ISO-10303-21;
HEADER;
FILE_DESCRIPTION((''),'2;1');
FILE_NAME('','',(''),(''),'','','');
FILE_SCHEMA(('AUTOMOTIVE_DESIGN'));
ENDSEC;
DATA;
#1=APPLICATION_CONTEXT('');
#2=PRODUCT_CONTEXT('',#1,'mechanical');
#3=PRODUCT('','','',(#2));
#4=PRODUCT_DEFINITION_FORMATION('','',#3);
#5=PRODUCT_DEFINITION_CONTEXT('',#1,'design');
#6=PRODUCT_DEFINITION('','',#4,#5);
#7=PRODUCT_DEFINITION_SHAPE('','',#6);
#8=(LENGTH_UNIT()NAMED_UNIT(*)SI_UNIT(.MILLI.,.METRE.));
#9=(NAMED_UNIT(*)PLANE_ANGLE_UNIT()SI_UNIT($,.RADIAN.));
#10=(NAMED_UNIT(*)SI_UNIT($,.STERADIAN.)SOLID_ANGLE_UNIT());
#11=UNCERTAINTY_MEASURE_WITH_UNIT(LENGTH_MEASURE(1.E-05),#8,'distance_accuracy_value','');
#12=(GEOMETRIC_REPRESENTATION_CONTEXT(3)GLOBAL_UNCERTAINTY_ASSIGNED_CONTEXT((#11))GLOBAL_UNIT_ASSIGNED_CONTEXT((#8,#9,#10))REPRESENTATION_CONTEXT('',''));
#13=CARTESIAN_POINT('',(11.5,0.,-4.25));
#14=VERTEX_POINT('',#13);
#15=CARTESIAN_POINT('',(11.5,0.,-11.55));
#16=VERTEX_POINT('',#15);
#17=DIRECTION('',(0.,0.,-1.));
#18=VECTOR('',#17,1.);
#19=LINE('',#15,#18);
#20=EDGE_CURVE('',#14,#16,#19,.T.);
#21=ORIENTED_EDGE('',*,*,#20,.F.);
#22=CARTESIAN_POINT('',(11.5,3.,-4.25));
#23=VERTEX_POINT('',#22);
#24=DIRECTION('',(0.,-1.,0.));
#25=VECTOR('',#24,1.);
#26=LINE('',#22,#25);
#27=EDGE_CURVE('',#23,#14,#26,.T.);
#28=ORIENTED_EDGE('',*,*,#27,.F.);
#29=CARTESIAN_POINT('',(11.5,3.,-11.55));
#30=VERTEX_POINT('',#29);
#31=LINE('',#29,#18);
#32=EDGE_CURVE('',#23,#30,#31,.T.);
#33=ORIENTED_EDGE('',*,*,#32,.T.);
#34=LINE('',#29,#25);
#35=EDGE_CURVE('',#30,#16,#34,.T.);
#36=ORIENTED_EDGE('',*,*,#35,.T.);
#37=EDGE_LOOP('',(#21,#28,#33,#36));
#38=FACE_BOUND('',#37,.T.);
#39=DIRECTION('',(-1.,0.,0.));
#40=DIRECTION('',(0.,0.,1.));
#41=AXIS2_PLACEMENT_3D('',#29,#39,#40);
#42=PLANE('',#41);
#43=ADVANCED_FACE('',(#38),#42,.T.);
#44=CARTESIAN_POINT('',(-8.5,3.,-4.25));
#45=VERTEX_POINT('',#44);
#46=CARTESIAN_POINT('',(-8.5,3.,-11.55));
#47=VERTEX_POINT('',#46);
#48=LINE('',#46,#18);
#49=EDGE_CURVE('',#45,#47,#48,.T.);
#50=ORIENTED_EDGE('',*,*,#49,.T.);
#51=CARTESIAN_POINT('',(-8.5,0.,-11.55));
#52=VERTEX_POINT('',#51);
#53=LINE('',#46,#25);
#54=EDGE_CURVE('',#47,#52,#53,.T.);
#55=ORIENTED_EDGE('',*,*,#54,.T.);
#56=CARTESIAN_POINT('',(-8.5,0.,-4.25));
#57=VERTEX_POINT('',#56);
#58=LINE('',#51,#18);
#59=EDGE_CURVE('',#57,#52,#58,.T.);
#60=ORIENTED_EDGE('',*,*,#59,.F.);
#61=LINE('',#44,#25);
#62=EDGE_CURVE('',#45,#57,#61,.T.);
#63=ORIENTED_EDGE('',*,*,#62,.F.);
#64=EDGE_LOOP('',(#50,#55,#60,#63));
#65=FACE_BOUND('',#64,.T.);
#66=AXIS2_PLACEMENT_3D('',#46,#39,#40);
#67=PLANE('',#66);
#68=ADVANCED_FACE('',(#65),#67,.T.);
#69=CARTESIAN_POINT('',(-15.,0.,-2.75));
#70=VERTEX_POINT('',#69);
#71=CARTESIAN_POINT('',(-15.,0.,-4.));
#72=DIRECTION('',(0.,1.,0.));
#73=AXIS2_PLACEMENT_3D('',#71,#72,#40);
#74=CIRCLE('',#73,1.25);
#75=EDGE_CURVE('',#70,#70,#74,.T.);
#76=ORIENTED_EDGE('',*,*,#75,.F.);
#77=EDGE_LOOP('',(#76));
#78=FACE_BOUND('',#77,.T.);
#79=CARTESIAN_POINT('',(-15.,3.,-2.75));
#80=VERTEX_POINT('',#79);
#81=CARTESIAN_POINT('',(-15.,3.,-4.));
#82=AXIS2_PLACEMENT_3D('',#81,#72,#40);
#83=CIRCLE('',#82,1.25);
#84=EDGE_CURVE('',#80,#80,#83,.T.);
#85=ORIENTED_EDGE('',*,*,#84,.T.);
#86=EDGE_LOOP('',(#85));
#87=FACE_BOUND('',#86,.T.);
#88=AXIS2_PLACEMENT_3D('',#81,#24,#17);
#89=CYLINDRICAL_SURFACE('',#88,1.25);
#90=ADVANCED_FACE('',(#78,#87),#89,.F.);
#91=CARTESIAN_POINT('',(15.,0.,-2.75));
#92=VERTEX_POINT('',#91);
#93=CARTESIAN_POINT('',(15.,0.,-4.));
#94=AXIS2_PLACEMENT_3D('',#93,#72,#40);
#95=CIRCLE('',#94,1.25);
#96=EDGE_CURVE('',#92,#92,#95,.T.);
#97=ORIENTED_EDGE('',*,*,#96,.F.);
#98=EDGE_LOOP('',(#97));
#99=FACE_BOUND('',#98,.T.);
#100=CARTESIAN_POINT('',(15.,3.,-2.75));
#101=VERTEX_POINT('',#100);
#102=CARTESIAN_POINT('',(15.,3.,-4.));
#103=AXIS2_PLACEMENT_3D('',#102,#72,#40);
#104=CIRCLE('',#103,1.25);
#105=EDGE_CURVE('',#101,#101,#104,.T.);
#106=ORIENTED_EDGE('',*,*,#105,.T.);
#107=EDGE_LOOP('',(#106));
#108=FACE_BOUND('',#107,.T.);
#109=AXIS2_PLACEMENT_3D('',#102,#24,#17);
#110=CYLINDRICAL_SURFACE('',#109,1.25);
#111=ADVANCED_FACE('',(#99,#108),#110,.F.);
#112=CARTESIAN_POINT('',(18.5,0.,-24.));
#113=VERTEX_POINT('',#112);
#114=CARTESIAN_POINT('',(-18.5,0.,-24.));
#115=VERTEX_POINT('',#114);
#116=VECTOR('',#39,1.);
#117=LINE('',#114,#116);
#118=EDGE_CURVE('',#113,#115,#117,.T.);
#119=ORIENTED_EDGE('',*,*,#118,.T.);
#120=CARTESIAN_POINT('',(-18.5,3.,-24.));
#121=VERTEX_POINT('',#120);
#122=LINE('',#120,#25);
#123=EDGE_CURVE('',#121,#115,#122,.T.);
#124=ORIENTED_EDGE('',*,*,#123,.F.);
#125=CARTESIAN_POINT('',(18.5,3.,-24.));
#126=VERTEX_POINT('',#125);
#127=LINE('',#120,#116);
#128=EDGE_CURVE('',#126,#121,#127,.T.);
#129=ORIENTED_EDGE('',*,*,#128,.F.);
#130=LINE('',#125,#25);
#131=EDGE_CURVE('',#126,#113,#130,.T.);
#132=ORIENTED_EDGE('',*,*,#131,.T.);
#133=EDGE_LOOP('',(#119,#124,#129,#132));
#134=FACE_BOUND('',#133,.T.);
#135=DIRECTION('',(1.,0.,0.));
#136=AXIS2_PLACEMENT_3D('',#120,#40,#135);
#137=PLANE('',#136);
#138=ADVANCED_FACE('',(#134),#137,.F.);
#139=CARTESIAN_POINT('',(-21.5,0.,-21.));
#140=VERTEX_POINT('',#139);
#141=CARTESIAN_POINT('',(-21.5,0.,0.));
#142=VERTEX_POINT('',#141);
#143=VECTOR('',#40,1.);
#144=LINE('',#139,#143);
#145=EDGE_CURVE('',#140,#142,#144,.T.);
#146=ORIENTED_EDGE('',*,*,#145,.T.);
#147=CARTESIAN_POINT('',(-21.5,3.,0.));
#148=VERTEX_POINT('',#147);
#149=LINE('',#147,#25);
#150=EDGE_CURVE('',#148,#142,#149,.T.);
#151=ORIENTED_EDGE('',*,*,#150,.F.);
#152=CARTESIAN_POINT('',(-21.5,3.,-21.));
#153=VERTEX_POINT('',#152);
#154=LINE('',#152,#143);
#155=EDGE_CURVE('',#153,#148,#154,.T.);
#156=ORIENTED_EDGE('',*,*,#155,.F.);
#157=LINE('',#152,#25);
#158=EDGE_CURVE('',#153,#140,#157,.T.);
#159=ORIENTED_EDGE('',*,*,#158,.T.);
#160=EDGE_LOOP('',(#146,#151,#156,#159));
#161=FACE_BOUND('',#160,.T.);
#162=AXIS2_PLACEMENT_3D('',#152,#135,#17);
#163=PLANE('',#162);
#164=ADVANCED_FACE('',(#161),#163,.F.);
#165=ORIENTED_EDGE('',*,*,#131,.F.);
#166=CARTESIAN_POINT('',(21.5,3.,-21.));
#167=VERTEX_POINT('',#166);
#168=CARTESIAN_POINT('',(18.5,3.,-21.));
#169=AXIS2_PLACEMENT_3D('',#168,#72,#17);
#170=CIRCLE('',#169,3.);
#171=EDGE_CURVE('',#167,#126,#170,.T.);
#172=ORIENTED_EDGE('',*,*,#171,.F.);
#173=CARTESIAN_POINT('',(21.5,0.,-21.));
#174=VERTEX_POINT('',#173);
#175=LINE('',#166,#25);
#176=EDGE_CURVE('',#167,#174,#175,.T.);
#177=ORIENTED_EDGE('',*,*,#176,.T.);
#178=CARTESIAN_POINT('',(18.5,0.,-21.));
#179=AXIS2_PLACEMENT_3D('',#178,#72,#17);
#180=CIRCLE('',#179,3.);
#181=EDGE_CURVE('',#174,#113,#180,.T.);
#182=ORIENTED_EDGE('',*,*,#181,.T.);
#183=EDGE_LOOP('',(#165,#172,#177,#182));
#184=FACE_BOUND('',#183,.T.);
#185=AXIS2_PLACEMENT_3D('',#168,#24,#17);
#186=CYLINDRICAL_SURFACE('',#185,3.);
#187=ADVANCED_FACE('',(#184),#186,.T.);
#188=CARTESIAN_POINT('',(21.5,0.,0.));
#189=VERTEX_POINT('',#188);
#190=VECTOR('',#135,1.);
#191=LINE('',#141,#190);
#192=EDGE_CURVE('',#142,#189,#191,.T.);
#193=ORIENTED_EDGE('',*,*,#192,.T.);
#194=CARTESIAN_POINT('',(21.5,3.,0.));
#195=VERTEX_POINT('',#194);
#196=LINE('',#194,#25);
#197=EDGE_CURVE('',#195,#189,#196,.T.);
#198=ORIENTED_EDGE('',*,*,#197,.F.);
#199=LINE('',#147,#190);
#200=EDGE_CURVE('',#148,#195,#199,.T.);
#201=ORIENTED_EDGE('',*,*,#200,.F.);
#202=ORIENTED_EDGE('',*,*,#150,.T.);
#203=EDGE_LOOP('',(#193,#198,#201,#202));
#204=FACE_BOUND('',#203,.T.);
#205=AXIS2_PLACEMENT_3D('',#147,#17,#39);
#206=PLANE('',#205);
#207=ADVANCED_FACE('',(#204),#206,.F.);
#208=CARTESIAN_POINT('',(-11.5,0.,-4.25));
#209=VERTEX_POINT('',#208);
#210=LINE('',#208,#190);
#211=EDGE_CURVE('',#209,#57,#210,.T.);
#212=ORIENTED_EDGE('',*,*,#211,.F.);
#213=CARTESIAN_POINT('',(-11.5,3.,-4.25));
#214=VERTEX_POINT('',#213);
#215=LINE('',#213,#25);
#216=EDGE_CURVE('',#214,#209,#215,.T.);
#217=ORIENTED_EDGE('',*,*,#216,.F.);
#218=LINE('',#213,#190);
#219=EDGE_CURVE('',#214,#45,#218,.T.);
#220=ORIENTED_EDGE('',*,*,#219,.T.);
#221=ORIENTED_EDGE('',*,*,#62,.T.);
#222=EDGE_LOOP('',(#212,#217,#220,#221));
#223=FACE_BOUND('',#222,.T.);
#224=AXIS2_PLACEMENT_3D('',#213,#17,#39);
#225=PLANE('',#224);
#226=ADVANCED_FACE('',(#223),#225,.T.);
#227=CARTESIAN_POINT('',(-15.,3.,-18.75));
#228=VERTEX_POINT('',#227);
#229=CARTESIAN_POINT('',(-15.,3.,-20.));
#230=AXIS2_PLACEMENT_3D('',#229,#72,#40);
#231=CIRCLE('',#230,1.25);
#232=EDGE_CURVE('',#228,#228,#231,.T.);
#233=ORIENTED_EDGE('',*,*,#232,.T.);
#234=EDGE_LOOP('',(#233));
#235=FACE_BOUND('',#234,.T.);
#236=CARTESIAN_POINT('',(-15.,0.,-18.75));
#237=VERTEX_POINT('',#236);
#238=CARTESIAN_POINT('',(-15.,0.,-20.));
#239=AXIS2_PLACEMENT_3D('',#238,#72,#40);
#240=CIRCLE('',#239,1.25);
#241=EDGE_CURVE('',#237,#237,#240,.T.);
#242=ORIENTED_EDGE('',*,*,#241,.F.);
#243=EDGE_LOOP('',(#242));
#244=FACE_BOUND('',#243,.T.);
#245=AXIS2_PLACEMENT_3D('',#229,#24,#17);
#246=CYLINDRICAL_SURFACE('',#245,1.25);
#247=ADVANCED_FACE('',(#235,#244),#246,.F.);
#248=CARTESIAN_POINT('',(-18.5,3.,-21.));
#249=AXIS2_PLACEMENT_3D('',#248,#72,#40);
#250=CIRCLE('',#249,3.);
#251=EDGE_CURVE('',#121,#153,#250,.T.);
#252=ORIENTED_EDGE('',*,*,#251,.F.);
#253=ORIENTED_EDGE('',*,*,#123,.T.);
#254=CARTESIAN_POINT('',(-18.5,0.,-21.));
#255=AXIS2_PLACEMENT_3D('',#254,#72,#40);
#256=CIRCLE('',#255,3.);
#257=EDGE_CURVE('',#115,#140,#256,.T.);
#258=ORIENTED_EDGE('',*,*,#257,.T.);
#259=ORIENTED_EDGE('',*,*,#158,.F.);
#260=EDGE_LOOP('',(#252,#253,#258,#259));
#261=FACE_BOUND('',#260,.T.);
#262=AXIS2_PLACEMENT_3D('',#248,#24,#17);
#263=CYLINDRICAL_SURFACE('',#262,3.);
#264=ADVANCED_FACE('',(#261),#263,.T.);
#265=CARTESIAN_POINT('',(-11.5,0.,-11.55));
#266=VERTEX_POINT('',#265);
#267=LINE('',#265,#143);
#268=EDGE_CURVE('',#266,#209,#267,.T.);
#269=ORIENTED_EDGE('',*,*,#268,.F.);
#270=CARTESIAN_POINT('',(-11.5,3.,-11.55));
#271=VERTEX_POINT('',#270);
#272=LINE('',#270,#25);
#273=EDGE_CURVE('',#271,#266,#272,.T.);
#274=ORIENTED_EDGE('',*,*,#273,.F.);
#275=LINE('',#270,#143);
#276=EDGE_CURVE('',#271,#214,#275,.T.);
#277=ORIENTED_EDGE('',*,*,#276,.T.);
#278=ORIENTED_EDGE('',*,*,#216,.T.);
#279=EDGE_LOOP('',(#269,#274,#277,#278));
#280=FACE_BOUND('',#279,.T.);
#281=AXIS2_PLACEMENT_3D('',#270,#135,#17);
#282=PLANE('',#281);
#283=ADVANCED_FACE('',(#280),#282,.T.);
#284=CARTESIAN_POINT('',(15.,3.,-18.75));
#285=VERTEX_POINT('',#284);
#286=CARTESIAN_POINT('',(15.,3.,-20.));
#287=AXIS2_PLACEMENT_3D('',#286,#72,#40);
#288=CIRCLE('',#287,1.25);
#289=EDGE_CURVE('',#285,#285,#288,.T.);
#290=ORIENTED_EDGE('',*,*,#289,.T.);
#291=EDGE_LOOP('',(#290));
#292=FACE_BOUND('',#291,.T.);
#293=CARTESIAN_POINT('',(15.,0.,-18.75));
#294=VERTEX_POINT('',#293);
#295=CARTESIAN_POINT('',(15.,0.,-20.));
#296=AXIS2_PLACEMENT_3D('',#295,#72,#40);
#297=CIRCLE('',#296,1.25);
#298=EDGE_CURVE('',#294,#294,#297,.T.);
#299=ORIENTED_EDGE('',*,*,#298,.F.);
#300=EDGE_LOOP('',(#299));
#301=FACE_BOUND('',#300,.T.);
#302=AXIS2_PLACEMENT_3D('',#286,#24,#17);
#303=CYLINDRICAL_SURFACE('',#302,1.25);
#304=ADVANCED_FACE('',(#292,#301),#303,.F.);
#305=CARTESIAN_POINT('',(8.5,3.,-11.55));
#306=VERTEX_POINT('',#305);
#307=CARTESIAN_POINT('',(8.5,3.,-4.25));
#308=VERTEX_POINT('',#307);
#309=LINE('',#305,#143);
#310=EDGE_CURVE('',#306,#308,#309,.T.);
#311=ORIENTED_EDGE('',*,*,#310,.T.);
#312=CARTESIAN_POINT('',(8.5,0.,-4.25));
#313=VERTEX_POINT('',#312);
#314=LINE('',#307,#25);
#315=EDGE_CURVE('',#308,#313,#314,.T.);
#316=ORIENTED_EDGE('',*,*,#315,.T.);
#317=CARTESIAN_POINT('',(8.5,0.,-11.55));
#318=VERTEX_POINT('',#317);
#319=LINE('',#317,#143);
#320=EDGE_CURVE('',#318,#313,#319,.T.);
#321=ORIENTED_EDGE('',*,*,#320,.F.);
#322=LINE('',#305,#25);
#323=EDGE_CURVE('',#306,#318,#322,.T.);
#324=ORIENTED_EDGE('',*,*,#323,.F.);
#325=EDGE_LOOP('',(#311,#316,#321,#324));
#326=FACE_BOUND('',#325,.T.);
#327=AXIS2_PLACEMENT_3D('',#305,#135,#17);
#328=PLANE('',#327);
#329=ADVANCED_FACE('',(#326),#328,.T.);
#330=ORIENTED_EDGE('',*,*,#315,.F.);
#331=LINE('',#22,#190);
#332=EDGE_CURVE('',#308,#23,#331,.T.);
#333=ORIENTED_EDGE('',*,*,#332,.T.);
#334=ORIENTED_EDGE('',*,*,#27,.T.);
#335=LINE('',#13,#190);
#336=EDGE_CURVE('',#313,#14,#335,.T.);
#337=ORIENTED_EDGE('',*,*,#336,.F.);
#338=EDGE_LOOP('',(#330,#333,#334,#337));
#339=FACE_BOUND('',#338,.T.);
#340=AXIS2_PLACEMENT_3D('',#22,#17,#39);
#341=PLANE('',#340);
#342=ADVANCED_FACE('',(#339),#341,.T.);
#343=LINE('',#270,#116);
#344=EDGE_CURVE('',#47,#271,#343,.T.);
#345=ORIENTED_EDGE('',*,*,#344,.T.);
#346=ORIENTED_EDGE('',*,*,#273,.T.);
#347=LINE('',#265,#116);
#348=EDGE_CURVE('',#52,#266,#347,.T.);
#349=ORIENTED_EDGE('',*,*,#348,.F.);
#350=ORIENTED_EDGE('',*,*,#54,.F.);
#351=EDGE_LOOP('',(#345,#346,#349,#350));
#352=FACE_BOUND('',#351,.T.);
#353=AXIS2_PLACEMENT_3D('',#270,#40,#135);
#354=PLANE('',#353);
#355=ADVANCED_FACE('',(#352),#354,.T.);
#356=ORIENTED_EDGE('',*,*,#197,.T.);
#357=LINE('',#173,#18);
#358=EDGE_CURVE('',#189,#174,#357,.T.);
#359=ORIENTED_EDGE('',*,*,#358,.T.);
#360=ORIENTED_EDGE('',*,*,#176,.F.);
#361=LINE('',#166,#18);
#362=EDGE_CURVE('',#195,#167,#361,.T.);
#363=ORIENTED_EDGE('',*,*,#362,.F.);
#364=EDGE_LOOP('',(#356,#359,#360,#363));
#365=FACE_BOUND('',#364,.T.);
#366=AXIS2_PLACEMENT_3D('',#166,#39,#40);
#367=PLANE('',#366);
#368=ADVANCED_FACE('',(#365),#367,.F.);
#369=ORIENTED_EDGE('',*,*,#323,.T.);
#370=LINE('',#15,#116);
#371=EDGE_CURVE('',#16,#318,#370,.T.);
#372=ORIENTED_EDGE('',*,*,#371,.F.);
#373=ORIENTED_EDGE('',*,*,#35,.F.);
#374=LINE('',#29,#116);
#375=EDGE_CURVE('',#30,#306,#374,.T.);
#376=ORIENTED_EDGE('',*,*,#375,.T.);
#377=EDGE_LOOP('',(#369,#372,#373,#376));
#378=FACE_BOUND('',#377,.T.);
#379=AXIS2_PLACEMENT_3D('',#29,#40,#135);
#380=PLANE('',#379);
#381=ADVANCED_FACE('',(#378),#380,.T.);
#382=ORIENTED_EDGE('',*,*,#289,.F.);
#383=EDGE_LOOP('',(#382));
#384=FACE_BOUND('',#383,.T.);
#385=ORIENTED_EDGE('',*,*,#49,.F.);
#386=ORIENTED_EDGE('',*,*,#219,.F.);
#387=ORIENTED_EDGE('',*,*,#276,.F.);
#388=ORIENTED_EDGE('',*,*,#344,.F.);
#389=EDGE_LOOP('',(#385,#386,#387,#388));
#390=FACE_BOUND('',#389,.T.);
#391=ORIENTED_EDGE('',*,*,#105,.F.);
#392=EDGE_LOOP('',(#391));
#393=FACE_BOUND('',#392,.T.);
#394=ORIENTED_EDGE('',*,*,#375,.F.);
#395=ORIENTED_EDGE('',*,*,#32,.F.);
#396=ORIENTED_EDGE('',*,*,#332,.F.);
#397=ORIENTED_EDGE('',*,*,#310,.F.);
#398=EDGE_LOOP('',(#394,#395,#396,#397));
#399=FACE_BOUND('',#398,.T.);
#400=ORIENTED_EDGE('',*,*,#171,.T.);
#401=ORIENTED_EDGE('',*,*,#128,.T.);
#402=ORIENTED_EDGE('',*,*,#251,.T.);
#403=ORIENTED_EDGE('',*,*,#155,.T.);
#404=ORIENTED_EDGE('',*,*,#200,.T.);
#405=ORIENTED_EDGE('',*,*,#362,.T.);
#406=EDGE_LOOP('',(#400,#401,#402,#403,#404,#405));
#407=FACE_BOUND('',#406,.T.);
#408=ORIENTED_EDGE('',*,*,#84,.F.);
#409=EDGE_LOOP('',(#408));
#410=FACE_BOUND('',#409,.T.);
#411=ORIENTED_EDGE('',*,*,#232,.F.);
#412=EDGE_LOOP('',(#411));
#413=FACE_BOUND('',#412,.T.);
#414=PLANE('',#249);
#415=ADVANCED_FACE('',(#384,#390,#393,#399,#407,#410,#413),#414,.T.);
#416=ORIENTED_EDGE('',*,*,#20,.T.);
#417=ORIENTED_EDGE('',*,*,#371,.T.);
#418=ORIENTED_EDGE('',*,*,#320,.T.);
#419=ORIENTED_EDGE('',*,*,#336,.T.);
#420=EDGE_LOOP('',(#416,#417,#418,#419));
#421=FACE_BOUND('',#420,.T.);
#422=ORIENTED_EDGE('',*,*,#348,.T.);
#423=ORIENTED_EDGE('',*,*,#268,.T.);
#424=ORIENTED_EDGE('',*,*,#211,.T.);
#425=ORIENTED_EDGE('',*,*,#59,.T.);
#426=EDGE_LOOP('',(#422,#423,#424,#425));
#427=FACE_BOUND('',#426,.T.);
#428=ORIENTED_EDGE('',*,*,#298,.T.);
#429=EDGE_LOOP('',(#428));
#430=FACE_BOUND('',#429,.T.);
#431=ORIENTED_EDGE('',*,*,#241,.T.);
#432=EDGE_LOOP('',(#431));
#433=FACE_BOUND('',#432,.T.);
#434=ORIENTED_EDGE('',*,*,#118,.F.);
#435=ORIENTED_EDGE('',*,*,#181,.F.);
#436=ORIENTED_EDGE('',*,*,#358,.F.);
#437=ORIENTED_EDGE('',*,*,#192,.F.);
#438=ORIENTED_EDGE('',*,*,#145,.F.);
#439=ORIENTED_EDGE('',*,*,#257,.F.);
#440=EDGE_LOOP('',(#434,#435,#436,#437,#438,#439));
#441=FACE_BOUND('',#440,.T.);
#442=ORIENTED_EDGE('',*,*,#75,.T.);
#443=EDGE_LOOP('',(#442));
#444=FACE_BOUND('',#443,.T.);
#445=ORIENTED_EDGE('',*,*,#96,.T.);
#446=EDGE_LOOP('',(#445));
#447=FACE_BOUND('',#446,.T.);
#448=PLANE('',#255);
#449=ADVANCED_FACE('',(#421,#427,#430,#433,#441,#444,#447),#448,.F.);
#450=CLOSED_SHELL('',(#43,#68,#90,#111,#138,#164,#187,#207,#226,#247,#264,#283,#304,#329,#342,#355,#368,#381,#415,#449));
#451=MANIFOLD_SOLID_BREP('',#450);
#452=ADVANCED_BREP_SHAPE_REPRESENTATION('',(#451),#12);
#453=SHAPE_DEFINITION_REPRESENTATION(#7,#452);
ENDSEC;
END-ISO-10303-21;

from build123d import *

# Parameters (mm, degrees)
ESQUISSE1_R        = 1.25
ESQUISSE1_W        = 3
ESQUISSE1_H        = 7.3
BOSS_EXTRU_1_DEPTH = 3


with BuildPart() as part:
    # Esquisse1 → Boss.-Extru.1 (new body)
    with BuildSketch(Plane(origin=(0, 0, 0), x_dir=(1, 0, 0), z_dir=(0, 1, 0))):
        with BuildLine():
            Line((-18.5, 24), (18.5, 24))
            ThreePointArc((18.5, 24), (20.621320344, 23.121320344), (21.5, 21))
            Line((21.5, 21), (21.5, 0))
            Line((21.5, 0), (-21.5, 0))
            Line((-21.5, 0), (-21.5, 21))
            ThreePointArc((-21.5, 21), (-20.621320344, 23.121320344), (-18.5, 24))
        make_face()
        with Locations(Location((-15, 20, 0), (0, 0, 270))):
            Circle(ESQUISSE1_R, mode=Mode.SUBTRACT)
        with Locations(Location((15, 20, 0), (0, 0, 270))):
            Circle(ESQUISSE1_R, mode=Mode.SUBTRACT)
        with Locations(Location((15, 4, 0), (0, 0, 270))):
            Circle(ESQUISSE1_R, mode=Mode.SUBTRACT)
        with Locations(Location((-15, 4, 0), (0, 0, 270))):
            Circle(ESQUISSE1_R, mode=Mode.SUBTRACT)
        with Locations((-10, 7.9)):
            Rectangle(ESQUISSE1_W, ESQUISSE1_H, mode=Mode.SUBTRACT)
        with Locations((10, 7.9)):
            Rectangle(ESQUISSE1_W, ESQUISSE1_H, mode=Mode.SUBTRACT)
    extrude(amount=BOSS_EXTRU_1_DEPTH)


solid = part.part
